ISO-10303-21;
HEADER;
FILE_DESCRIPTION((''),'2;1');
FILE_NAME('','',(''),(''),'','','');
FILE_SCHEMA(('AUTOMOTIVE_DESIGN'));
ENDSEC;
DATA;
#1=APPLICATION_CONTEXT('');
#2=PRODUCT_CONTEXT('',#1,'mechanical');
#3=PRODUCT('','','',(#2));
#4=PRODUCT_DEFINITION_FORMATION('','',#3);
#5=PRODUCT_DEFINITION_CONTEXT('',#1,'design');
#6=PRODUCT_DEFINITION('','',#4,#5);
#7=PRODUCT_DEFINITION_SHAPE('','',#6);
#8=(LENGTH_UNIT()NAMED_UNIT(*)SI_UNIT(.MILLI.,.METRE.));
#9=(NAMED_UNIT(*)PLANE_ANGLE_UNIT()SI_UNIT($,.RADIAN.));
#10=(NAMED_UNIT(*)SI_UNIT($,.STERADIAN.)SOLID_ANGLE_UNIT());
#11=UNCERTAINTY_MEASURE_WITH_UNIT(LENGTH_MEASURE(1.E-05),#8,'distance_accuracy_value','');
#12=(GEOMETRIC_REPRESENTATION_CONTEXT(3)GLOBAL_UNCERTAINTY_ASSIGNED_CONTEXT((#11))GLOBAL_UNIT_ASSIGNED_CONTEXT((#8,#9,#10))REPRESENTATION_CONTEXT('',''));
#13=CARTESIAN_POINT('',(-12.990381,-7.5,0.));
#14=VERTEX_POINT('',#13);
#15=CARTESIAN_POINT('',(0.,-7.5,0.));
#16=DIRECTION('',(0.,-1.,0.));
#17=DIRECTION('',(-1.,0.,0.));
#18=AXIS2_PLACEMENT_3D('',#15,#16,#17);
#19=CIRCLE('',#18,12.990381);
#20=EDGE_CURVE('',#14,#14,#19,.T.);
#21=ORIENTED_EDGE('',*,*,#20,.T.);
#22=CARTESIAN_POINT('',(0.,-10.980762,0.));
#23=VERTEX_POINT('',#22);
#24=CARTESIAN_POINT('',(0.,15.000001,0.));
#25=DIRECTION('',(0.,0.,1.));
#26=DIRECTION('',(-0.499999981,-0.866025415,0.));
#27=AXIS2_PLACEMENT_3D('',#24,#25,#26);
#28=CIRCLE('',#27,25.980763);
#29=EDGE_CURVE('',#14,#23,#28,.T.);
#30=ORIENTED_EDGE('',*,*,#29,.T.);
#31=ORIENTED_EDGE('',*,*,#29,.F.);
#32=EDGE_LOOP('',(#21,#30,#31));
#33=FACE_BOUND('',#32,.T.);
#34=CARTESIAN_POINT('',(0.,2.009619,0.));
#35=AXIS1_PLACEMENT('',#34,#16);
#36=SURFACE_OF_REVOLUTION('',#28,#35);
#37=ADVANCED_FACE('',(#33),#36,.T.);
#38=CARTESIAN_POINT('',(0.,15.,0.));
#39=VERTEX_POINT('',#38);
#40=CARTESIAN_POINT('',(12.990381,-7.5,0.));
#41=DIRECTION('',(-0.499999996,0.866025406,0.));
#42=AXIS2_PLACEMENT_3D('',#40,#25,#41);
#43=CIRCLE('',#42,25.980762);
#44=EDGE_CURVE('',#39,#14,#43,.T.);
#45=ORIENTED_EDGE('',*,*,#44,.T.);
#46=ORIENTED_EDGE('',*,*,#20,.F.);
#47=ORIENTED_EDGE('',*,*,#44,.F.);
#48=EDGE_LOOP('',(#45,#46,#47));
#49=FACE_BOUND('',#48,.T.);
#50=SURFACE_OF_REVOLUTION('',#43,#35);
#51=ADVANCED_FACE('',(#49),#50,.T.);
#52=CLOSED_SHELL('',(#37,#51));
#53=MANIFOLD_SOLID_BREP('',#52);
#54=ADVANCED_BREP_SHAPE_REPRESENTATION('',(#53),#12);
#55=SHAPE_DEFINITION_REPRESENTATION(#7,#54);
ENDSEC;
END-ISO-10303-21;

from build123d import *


with BuildPart() as f1:
    # F0 (on Top) → F1 (revolve)
    with BuildSketch(Plane.XY):
        with BuildLine():
            Line((-12.990381, -7.5), (0, 15))
            ThreePointArc((0, 15), (-9.509619, 5.490381), (-12.990381, -7.5))
        make_face()
        Polygon((0, -7.5), (0, 15), (-12.990381, -7.5), align=None)
        with BuildLine():
            Line((0, -7.5), (-12.990381, -7.5))
            ThreePointArc((-12.990381, -7.5), (-6.724316, -10.095489), (0, -10.980762))
            Line((0, -10.980762), (0, -7.5))
        make_face()
    revolve(axis=Axis((0, 2.009619, 0), (0, -1, 0)))


solid = f1.part
